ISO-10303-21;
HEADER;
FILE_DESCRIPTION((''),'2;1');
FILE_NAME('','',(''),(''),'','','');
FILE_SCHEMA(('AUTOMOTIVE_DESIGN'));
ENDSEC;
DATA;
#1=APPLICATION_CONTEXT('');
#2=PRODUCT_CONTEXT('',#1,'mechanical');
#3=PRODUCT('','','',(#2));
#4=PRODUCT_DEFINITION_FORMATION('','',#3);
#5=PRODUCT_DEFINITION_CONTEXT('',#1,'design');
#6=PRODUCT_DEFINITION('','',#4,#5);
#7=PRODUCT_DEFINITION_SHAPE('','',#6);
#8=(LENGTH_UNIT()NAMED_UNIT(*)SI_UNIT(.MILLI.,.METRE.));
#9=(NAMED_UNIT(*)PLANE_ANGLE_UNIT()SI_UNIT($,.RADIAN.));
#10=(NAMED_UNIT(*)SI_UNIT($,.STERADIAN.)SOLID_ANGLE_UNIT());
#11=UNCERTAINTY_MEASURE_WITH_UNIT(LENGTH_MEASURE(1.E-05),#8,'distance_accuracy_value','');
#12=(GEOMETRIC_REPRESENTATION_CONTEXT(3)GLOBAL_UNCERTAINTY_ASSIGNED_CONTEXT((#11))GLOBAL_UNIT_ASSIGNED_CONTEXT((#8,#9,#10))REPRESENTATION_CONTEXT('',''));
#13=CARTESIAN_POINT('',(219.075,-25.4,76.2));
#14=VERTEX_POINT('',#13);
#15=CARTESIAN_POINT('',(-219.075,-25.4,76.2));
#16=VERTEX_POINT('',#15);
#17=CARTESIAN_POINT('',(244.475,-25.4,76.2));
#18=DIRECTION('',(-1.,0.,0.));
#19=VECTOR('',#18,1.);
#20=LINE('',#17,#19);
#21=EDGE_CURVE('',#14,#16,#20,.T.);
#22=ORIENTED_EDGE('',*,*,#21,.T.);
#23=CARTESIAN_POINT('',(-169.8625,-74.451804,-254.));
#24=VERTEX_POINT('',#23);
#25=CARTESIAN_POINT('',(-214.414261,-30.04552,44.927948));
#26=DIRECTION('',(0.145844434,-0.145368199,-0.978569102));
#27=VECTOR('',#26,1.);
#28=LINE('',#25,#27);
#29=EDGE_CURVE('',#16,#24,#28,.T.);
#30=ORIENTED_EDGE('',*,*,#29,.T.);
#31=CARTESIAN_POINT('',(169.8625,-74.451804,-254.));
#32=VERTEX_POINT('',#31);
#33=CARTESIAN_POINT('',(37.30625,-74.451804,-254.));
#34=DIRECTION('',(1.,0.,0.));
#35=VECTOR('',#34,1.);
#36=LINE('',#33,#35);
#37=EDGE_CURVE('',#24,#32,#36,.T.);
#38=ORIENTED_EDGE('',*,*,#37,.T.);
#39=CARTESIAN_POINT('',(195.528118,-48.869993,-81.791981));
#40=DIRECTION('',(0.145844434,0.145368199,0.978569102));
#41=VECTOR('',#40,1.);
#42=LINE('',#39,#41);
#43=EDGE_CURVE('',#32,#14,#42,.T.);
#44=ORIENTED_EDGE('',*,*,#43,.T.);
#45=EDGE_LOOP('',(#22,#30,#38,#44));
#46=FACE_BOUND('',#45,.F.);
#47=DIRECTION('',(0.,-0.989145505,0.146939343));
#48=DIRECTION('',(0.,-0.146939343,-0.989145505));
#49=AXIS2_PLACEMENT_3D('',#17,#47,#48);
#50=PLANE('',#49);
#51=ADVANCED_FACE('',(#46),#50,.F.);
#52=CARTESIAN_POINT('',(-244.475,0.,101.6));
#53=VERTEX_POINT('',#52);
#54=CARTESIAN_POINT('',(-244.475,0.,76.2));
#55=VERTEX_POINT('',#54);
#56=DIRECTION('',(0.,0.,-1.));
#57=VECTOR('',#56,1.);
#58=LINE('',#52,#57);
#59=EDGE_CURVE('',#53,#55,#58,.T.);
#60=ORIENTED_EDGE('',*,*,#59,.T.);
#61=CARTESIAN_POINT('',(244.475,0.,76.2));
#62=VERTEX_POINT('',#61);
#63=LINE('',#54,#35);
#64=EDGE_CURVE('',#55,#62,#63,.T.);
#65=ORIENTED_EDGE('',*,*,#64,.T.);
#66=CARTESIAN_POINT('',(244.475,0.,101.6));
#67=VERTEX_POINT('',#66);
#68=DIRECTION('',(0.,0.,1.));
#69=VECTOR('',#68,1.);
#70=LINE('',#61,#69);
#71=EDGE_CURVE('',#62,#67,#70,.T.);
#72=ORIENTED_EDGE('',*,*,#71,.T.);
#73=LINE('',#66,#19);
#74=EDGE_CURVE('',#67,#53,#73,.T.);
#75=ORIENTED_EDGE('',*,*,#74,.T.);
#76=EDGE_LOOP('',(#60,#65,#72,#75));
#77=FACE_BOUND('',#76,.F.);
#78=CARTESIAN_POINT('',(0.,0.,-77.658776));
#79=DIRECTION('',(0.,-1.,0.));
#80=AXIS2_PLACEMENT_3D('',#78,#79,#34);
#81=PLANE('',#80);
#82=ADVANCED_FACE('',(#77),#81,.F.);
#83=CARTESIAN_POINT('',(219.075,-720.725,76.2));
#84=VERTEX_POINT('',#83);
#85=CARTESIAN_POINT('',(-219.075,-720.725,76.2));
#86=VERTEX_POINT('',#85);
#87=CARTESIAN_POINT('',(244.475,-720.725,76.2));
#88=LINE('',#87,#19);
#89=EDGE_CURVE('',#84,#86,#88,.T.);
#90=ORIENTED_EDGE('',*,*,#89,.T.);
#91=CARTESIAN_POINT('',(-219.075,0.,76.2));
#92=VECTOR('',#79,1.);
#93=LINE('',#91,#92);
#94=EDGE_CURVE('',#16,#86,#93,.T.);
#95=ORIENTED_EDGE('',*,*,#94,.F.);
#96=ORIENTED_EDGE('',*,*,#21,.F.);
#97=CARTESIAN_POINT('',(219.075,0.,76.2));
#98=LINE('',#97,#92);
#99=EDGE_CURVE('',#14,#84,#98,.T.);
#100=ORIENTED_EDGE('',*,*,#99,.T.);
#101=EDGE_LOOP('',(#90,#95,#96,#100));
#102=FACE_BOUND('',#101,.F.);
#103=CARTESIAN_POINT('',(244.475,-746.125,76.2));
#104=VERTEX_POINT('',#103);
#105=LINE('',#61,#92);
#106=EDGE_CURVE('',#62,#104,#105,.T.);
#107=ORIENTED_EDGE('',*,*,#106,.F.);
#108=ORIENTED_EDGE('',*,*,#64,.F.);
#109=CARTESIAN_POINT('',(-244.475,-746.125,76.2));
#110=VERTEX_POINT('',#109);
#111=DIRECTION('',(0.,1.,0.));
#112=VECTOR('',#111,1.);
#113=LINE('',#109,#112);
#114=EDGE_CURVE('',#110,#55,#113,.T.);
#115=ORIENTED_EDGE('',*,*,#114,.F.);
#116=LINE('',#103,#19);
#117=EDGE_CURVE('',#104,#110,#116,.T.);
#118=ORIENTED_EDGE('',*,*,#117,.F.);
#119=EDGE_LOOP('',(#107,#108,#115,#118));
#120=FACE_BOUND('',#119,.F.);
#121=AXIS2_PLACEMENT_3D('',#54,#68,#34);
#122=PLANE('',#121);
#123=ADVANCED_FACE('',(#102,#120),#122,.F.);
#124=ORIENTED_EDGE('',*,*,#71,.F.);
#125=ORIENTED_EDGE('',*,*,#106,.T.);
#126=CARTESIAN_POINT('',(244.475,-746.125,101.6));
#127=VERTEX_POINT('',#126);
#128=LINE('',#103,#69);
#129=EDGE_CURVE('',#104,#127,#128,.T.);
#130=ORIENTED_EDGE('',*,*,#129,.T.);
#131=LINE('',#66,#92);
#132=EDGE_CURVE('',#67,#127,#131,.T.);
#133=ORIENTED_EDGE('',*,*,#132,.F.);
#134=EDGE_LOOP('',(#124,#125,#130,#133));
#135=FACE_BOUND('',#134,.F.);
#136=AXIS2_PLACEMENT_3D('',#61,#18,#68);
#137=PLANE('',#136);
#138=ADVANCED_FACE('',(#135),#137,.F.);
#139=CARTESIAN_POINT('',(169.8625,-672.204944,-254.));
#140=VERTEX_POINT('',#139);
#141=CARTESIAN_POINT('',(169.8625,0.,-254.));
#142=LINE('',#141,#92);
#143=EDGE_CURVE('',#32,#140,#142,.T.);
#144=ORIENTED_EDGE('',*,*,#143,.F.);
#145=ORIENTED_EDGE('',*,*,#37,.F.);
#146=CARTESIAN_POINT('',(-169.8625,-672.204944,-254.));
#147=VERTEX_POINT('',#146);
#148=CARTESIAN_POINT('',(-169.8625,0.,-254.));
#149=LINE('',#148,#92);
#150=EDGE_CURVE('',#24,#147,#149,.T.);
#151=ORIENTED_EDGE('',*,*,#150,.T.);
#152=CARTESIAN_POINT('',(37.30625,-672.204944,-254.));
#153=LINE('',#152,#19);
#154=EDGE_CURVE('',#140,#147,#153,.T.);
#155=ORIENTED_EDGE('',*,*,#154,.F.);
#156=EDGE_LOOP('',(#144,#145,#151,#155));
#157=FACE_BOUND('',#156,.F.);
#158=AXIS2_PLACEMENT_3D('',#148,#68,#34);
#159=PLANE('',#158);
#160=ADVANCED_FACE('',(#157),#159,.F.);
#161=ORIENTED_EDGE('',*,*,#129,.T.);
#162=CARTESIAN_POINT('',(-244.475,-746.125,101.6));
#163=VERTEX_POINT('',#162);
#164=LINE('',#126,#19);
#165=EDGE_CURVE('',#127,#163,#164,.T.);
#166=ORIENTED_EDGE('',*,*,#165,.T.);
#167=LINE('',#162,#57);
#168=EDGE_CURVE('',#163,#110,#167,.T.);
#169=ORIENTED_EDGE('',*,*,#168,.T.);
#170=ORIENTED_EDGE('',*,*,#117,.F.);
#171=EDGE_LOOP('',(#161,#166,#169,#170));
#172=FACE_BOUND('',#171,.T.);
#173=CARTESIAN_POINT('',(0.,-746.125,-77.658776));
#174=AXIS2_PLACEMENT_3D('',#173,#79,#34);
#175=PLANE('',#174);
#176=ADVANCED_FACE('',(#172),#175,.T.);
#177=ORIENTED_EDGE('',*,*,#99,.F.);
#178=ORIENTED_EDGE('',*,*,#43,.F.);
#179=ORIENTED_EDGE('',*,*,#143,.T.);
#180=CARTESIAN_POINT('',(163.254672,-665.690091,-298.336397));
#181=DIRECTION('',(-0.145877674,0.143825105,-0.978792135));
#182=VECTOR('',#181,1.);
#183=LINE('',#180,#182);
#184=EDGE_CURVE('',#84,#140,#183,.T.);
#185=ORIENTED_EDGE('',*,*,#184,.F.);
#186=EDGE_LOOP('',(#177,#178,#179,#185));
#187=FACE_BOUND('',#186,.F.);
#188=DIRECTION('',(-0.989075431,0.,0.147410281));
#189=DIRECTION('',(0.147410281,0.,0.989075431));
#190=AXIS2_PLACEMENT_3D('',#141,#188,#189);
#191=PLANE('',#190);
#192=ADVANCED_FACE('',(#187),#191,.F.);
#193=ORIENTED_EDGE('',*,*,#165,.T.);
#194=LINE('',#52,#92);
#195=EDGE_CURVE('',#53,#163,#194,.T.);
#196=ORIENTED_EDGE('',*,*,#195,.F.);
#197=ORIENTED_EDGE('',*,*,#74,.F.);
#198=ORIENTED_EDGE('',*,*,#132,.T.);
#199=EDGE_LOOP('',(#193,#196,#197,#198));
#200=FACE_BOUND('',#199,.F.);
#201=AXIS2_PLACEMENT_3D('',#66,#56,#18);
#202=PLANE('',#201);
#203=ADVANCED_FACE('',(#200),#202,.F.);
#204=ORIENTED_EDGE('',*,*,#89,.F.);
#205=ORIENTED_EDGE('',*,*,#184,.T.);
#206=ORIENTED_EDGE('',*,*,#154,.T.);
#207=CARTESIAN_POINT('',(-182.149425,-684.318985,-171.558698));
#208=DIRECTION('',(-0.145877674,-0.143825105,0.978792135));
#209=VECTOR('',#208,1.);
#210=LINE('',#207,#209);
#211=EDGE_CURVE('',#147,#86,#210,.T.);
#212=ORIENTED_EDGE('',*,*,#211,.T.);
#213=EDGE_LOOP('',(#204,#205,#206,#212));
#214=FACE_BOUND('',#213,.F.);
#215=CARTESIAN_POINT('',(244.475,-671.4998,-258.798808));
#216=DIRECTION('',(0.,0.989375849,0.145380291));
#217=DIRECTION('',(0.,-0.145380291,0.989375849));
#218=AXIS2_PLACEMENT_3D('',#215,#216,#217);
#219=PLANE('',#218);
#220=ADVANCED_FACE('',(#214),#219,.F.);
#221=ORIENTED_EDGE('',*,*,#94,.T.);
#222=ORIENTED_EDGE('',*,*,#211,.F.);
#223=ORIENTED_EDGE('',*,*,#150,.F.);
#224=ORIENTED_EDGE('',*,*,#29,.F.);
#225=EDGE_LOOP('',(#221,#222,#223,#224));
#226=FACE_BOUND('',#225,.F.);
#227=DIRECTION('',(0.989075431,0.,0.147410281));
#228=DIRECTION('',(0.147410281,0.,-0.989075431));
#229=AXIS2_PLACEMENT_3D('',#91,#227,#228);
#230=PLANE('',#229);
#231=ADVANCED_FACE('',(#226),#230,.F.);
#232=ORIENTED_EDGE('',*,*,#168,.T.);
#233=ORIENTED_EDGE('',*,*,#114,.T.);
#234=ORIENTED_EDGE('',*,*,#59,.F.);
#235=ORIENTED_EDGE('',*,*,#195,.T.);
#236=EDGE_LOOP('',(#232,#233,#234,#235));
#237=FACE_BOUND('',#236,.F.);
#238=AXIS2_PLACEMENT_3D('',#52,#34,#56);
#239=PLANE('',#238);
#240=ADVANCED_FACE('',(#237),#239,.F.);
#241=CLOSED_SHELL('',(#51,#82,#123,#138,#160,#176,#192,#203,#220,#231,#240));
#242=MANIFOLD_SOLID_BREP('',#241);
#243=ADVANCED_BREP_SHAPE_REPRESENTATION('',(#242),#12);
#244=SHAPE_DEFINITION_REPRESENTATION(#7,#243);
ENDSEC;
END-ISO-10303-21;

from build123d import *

# Parameters (mm, degrees)
F1_DEPTH = 746.125
F3_DEPTH = 1270


with BuildPart() as f1:
    # F0 (on Front) → F1 (new body)
    with BuildSketch(Plane.XZ):
        Polygon((219.075, 76.2), (-219.075, 76.2), (-169.8625, -254), (169.8625, -254), align=None)
        Polygon((-244.475, 76.2), (-219.075, 76.2), (219.075, 76.2), (244.475, 76.2), (244.475, 101.6), (-244.475, 101.6), align=None)
    extrude(amount=F1_DEPTH)

    # F2 (on face) → F3 (cut)
    with BuildSketch(Plane.YZ.offset(244.475)):
        Polygon((-720.725, 76.2), (-746.125, 76.2), (-746.125, -258.798808), (-671.4998, -258.798808), align=None)
        Polygon((0, -255.167246), (0, 76.2), (-25.4, 76.2), (-74.6252, -255.167246), align=None)
    extrude(amount=-F3_DEPTH, mode=Mode.SUBTRACT)


solid = f1.part
